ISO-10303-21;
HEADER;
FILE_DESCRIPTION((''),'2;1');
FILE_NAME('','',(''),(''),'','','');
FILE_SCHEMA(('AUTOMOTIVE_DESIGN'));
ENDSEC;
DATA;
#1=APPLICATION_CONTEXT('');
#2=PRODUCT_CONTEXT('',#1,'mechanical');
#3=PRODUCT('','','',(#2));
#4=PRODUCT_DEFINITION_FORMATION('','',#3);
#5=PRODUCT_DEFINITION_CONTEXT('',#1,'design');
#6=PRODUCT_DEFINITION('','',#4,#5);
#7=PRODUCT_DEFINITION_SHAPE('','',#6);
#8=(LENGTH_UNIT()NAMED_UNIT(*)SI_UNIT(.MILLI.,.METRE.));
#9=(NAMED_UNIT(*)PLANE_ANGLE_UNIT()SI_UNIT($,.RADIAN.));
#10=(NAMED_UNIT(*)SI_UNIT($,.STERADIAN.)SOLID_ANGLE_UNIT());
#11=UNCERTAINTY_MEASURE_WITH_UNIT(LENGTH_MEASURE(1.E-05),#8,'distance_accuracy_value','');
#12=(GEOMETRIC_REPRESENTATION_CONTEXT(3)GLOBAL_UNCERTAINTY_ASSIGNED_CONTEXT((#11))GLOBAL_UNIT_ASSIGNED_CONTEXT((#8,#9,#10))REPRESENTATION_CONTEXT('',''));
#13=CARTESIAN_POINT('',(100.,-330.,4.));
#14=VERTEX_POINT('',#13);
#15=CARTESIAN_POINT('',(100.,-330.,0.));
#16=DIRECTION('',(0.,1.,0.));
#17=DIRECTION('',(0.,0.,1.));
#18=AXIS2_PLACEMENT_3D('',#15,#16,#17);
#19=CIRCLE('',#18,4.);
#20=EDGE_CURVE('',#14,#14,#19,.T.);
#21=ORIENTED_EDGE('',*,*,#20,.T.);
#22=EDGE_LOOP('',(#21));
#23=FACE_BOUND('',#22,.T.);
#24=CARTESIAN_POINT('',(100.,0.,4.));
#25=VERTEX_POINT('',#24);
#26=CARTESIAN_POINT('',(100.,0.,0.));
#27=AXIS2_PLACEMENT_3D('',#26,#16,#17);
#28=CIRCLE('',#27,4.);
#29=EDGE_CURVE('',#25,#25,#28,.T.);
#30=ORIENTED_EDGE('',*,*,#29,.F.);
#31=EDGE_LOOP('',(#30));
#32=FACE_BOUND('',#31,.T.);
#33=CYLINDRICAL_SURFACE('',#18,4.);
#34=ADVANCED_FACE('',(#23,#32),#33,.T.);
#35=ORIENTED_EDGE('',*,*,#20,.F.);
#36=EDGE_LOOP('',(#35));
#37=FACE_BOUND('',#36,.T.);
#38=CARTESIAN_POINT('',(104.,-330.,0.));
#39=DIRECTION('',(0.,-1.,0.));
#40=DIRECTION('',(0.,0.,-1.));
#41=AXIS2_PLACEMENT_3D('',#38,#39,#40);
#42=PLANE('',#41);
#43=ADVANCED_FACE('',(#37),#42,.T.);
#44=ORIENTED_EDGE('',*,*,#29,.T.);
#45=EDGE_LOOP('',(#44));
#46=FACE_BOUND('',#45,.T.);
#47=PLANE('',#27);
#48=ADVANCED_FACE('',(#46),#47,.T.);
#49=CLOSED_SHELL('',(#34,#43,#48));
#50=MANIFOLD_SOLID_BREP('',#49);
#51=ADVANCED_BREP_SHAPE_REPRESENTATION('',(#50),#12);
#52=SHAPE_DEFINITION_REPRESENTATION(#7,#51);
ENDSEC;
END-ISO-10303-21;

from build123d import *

# Parameters (mm, degrees)
SKETCH_1_W = 4
SKETCH_1_H = 330


with BuildPart() as part:
    # 草图1 → 旋转1 (revolve)
    with BuildSketch(Plane(origin=(0, 0, 0), x_dir=(-1, 0, 0), z_dir=(0, 0, -1))):
        with Locations((-102, -165)):
            Rectangle(SKETCH_1_W, SKETCH_1_H)
    revolve(axis=Axis((100, -330, 0), (0, 1, 0)))


solid = part.part
